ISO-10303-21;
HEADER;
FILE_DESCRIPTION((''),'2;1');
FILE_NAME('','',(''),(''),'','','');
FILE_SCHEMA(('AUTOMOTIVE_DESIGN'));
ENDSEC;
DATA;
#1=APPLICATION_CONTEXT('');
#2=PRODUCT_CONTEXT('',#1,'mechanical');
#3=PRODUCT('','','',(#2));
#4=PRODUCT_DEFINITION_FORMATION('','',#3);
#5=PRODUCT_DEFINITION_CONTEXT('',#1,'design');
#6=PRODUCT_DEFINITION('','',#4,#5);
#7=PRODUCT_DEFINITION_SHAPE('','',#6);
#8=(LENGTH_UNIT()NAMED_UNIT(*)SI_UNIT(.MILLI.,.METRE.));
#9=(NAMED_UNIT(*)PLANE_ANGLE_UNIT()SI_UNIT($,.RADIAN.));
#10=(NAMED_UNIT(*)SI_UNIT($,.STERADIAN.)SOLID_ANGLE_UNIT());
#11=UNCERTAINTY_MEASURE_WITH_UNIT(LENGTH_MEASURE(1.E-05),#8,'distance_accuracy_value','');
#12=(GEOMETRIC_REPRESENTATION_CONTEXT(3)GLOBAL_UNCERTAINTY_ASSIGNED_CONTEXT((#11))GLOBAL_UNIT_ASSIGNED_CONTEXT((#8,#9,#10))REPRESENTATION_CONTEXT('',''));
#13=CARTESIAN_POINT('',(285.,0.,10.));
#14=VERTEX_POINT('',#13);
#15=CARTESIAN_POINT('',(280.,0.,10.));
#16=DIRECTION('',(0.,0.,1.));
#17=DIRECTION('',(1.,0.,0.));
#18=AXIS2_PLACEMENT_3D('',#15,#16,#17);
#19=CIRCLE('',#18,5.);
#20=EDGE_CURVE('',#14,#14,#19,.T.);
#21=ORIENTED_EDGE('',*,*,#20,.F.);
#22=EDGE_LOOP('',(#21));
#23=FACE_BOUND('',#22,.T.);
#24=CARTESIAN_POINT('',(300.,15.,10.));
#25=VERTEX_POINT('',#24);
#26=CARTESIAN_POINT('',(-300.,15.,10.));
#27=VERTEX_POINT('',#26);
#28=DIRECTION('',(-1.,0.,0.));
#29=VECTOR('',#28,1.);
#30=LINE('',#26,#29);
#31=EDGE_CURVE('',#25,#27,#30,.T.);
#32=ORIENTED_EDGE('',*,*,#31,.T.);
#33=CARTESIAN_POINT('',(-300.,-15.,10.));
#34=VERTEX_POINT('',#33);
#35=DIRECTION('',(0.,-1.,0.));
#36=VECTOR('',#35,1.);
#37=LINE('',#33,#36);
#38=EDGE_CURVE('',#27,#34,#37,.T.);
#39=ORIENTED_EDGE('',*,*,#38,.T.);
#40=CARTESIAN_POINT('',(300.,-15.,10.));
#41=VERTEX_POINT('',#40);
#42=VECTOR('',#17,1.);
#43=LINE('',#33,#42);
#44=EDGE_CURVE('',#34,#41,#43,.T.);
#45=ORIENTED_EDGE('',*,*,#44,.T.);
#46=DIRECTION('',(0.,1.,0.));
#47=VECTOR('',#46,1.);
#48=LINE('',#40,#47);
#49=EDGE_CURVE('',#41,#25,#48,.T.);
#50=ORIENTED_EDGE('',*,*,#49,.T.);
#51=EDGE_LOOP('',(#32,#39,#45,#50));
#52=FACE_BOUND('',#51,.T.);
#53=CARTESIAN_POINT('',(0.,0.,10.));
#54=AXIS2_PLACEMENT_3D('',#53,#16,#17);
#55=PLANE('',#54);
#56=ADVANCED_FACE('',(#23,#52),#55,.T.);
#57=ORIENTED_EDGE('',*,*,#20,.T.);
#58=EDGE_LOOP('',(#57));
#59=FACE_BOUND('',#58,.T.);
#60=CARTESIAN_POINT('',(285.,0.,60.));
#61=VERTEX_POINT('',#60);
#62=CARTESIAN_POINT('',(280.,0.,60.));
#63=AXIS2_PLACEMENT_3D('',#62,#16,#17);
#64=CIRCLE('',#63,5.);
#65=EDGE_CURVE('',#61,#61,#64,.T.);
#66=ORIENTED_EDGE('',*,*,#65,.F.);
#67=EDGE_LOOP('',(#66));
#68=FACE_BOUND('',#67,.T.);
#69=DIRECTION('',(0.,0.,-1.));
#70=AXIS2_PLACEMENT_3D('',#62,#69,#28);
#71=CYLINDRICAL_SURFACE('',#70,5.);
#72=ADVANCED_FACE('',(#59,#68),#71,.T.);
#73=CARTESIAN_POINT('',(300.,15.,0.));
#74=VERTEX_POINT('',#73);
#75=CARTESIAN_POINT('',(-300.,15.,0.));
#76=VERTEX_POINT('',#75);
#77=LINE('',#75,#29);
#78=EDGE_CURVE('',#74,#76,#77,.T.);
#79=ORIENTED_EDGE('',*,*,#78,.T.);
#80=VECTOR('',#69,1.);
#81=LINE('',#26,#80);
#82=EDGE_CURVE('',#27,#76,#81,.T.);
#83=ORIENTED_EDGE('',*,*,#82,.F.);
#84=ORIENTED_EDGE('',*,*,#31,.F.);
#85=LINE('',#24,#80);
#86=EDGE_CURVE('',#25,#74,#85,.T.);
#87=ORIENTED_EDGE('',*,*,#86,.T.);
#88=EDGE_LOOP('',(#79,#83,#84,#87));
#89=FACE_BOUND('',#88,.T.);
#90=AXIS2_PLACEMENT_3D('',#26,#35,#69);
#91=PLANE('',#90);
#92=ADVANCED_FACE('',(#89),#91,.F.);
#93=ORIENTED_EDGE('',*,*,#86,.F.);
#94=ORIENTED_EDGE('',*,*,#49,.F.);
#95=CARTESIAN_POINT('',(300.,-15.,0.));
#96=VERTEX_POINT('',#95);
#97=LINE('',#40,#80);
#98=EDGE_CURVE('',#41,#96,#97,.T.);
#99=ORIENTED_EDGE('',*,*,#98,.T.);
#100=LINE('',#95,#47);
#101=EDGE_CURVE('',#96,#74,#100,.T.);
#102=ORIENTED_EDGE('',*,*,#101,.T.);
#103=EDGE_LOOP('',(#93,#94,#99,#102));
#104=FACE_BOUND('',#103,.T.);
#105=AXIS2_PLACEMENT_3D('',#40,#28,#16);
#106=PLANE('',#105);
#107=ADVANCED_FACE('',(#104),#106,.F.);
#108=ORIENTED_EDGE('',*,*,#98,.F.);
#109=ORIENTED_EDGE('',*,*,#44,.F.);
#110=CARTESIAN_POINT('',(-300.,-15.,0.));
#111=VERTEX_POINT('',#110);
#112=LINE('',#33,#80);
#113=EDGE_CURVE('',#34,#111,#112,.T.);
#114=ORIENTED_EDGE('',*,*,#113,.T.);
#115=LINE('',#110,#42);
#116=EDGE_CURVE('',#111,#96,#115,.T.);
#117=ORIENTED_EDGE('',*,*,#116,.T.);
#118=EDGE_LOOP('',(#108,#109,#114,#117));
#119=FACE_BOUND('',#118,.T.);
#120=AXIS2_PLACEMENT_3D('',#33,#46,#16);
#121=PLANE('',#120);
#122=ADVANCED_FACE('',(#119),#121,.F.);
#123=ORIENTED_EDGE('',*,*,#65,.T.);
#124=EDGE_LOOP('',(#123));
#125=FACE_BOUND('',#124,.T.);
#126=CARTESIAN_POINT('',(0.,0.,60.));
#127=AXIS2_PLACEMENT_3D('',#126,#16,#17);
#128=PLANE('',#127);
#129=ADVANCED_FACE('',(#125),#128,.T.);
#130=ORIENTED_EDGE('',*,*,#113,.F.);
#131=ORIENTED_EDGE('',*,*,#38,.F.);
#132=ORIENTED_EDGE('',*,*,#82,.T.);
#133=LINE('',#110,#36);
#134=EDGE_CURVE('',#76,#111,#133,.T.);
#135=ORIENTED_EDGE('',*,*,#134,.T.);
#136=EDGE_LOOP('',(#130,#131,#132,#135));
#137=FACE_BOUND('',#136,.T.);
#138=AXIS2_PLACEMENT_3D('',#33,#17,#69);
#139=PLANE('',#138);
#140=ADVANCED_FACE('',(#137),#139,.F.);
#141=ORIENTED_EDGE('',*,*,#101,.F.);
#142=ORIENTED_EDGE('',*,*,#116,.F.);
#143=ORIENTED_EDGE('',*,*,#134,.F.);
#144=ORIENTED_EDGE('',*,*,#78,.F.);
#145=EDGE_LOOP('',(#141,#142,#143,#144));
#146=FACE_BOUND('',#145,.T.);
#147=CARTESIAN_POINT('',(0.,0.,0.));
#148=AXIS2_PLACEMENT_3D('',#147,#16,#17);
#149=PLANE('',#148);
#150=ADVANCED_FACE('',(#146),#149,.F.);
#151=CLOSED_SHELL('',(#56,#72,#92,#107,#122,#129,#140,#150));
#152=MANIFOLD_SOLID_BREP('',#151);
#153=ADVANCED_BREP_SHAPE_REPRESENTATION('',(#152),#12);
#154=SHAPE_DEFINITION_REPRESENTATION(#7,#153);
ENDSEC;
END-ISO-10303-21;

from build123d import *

# Parameters (mm, degrees)
SKETCH1_W           = 600
SKETCH1_H           = 30
BOSS_EXTRUDE1_DEPTH = 10
SKETCH2_R           = 5
BOSS_EXTRUDE2_DEPTH = 50


with BuildPart() as part:
    # Sketch1 → Boss-Extrude1 (new body)
    with BuildSketch(Plane.XY):
        Rectangle(SKETCH1_W, SKETCH1_H)
    extrude(amount=BOSS_EXTRUDE1_DEPTH)

    # Sketch2 → Boss-Extrude2 (add)
    with BuildSketch(Plane.XY.offset(10)):
        with Locations((280, 0)):
            Circle(SKETCH2_R)
    extrude(amount=BOSS_EXTRUDE2_DEPTH)


solid = part.part
